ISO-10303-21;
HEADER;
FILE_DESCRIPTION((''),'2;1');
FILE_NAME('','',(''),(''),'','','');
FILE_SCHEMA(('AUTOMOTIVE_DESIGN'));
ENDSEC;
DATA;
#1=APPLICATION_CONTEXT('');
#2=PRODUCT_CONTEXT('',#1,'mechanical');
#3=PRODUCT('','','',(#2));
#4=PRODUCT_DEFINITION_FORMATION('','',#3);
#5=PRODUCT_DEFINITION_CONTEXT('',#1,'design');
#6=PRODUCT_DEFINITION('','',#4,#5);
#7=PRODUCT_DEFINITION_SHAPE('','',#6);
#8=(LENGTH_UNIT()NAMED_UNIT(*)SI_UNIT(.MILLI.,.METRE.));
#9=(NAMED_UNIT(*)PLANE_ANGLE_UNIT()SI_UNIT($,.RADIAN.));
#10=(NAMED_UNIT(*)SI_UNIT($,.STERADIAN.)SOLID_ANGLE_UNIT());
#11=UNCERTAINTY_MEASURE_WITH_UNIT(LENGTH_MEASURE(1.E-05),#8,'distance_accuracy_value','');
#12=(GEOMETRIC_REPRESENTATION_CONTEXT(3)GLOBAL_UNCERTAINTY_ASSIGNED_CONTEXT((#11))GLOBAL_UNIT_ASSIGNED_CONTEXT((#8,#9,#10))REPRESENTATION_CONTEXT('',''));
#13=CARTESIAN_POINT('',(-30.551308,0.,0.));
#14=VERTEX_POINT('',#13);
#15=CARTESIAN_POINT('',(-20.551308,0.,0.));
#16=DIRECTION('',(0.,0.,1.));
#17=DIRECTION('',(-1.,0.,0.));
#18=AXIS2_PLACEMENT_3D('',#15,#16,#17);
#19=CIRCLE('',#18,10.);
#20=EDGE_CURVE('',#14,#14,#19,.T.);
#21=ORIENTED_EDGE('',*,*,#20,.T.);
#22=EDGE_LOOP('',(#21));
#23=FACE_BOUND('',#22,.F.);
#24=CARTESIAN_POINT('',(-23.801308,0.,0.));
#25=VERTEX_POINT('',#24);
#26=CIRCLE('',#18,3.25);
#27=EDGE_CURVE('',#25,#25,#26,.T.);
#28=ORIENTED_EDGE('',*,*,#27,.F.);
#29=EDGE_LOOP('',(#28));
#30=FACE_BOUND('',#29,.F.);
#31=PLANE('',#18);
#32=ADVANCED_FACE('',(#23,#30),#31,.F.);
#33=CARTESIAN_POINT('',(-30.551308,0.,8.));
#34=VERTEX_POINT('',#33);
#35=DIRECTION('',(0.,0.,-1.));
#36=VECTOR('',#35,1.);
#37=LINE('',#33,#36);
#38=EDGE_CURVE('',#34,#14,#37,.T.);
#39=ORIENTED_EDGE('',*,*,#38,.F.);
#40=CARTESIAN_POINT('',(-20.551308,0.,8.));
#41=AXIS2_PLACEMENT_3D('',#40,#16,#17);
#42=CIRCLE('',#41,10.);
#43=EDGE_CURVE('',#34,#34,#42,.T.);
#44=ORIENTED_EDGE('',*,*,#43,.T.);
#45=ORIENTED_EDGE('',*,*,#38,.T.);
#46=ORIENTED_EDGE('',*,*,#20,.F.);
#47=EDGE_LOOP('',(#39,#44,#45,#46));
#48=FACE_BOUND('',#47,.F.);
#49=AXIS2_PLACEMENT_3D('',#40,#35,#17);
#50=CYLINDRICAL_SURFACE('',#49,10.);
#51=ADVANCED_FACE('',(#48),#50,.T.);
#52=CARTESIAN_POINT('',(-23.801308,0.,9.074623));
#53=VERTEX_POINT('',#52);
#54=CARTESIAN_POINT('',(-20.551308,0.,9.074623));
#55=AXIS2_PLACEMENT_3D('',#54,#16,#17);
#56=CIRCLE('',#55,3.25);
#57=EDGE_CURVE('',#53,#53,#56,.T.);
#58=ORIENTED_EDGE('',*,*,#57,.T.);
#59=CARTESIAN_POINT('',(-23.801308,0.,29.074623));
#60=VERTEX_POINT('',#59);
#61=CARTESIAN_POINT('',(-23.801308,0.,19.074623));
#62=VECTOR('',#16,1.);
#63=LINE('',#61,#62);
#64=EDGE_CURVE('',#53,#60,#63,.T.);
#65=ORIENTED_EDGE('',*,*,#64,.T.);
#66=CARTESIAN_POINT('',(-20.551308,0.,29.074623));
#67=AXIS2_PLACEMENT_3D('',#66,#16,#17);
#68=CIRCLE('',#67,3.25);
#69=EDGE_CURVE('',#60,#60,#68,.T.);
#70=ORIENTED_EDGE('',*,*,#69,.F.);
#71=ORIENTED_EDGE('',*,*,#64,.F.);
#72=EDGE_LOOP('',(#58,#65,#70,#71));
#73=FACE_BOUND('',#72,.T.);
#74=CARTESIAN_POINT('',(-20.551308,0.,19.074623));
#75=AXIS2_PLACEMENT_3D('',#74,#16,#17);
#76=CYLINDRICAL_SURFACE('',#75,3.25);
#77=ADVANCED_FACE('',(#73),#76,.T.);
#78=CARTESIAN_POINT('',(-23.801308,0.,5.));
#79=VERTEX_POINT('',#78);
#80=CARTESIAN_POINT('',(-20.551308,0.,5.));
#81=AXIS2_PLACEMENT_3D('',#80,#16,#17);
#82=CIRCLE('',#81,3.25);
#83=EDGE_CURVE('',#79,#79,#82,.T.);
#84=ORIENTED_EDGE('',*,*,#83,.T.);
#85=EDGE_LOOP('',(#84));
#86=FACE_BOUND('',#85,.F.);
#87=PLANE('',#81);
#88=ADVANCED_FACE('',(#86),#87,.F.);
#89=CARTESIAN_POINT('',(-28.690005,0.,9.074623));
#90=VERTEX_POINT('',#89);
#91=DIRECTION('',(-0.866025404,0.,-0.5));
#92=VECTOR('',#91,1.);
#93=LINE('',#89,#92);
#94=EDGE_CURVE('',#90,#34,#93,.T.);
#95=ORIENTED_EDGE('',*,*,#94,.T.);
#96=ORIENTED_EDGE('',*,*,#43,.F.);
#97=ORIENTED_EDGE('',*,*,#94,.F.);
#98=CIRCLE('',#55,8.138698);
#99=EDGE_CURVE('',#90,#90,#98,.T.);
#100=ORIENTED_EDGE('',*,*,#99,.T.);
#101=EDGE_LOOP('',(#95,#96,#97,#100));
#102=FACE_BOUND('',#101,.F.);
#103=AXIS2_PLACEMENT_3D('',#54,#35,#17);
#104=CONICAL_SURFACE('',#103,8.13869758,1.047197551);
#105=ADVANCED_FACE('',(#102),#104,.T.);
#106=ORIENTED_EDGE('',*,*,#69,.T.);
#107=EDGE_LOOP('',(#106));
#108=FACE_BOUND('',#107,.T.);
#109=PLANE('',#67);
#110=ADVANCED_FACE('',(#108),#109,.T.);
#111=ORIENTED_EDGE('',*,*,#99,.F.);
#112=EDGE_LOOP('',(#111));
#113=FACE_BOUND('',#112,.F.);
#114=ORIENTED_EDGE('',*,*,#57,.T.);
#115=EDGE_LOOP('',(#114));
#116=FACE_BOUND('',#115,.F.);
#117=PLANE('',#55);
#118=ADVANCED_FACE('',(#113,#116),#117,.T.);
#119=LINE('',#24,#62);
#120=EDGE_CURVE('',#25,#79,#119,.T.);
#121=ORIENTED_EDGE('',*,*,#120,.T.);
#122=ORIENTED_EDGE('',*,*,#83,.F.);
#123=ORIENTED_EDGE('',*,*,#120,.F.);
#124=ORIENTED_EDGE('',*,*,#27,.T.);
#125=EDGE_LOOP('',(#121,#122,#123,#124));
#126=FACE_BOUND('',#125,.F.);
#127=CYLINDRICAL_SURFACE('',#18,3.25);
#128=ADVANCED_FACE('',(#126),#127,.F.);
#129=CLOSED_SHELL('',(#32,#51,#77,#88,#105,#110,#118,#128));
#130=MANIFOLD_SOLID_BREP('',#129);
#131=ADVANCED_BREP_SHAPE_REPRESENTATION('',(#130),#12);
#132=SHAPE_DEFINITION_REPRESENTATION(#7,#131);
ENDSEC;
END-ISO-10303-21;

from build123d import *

# Parameters (mm, degrees)
F0_W   = 3.25
F0_H   = 20
F0_H_2 = 3
F0_H_3 = 1.0746234533


with BuildPart() as f1:
    # F0 (on Front) → F1 (revolve)
    with BuildSketch(Plane.XZ):
        with Locations((-22.1763077103, 19.0746234533)):
            Rectangle(F0_W, F0_H)
        Polygon((-23.8013077103, 8), (-30.5513077103, 8), (-30.5513077103, 0), (-23.8013077103, 0), (-23.8013077103, 5), align=None)
        Polygon((-28.6900052902, 9.0746234533), (-30.5513077103, 8), (-23.8013077103, 8), (-23.8013077103, 9.0746234533), align=None)
        with Locations((-22.1763077103, 6.5)):
            Rectangle(F0_W, F0_H_2)
        with Locations((-22.1763077103, 8.5373117267)):
            Rectangle(F0_W, F0_H_3)
    revolve(axis=Axis((-20.5513077103, 0, 19.0746234533), (0, 0, 1)))


solid = f1.part
